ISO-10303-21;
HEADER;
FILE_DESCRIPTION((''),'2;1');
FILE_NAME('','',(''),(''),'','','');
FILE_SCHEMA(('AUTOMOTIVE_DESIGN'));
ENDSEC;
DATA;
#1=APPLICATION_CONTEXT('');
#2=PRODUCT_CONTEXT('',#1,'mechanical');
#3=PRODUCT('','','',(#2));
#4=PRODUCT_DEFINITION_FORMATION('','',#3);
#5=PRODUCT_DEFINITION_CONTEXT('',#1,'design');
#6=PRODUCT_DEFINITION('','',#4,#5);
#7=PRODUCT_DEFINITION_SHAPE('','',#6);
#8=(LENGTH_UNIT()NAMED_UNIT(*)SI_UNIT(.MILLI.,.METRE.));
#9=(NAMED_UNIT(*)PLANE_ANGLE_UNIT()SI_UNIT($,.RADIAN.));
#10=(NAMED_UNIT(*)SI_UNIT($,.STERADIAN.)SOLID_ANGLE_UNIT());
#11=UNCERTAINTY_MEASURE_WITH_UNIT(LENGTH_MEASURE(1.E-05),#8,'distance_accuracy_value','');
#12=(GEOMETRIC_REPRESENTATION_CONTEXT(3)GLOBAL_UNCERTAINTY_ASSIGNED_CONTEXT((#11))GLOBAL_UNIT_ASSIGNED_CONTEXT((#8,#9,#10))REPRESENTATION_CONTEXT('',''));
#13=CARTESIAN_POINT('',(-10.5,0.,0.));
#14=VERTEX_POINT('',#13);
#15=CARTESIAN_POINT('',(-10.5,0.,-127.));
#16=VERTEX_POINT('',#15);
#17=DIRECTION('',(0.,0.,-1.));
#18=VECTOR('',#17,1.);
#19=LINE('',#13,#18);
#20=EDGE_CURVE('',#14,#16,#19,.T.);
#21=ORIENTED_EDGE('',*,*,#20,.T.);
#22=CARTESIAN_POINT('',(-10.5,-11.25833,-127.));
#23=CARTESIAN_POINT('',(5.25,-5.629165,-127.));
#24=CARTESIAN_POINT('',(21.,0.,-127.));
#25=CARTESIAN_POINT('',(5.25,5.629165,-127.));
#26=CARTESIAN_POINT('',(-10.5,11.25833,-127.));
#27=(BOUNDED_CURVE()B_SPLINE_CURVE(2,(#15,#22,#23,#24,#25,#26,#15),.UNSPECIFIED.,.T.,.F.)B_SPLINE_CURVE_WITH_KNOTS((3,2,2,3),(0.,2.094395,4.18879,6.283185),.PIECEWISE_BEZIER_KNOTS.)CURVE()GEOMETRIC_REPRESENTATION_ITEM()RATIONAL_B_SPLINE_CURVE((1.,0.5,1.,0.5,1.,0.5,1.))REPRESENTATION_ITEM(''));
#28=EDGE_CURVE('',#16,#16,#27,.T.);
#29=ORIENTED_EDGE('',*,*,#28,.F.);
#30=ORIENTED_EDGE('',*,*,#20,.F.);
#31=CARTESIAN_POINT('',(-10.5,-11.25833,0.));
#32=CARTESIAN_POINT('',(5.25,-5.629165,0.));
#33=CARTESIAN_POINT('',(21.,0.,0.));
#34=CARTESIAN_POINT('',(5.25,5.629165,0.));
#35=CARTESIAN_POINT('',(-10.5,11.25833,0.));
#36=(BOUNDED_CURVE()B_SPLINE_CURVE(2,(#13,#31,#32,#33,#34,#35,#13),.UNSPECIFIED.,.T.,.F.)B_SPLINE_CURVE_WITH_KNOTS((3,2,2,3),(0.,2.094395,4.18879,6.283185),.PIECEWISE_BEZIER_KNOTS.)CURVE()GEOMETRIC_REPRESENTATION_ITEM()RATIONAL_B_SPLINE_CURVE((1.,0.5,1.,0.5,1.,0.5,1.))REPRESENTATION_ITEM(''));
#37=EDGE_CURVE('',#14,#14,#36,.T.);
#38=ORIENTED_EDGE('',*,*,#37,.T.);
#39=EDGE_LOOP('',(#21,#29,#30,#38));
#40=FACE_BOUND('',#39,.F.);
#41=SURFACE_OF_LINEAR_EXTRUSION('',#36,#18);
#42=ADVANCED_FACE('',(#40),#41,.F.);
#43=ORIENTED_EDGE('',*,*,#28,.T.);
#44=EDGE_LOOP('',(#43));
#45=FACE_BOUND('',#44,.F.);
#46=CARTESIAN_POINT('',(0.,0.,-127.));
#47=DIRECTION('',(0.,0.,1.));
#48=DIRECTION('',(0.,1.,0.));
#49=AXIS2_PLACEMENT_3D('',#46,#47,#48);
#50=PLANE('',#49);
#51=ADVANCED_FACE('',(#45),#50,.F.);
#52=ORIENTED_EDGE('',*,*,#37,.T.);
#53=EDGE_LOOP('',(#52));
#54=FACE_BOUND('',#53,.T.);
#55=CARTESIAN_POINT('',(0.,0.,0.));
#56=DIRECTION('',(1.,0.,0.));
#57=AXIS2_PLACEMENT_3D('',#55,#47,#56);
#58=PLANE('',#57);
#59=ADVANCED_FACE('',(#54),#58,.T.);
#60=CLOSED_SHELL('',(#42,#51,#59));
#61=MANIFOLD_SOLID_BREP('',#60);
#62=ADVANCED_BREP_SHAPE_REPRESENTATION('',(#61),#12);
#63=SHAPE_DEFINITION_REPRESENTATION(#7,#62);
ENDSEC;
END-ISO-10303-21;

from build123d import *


with BuildPart() as f2:
    # F2: sweep along a path in F1
    with BuildLine(Plane.YZ) as f2_path:
        Line((0, 0), (0, -127))
    # F0 (on Top) → F2 (sweep)
    with BuildSketch(Plane.XY):
        with BuildLine():
            add(Edge.make_bspline(
                [(-10.5, 0), (-10.5, -11.25833), (5.25, -5.629165), (21, 0), (5.25, 5.629165), (-10.5, 11.25833), (-10.5, 0)],
                knots=[0, 0, 0, 2.094395, 2.094395, 4.18879, 4.18879, 6.283185, 6.283185, 6.283185], degree=2, weights=[1, 0.5, 1, 0.5, 1, 0.5, 1]))
        make_face()
    sweep(path=f2_path.line)


solid = f2.part
